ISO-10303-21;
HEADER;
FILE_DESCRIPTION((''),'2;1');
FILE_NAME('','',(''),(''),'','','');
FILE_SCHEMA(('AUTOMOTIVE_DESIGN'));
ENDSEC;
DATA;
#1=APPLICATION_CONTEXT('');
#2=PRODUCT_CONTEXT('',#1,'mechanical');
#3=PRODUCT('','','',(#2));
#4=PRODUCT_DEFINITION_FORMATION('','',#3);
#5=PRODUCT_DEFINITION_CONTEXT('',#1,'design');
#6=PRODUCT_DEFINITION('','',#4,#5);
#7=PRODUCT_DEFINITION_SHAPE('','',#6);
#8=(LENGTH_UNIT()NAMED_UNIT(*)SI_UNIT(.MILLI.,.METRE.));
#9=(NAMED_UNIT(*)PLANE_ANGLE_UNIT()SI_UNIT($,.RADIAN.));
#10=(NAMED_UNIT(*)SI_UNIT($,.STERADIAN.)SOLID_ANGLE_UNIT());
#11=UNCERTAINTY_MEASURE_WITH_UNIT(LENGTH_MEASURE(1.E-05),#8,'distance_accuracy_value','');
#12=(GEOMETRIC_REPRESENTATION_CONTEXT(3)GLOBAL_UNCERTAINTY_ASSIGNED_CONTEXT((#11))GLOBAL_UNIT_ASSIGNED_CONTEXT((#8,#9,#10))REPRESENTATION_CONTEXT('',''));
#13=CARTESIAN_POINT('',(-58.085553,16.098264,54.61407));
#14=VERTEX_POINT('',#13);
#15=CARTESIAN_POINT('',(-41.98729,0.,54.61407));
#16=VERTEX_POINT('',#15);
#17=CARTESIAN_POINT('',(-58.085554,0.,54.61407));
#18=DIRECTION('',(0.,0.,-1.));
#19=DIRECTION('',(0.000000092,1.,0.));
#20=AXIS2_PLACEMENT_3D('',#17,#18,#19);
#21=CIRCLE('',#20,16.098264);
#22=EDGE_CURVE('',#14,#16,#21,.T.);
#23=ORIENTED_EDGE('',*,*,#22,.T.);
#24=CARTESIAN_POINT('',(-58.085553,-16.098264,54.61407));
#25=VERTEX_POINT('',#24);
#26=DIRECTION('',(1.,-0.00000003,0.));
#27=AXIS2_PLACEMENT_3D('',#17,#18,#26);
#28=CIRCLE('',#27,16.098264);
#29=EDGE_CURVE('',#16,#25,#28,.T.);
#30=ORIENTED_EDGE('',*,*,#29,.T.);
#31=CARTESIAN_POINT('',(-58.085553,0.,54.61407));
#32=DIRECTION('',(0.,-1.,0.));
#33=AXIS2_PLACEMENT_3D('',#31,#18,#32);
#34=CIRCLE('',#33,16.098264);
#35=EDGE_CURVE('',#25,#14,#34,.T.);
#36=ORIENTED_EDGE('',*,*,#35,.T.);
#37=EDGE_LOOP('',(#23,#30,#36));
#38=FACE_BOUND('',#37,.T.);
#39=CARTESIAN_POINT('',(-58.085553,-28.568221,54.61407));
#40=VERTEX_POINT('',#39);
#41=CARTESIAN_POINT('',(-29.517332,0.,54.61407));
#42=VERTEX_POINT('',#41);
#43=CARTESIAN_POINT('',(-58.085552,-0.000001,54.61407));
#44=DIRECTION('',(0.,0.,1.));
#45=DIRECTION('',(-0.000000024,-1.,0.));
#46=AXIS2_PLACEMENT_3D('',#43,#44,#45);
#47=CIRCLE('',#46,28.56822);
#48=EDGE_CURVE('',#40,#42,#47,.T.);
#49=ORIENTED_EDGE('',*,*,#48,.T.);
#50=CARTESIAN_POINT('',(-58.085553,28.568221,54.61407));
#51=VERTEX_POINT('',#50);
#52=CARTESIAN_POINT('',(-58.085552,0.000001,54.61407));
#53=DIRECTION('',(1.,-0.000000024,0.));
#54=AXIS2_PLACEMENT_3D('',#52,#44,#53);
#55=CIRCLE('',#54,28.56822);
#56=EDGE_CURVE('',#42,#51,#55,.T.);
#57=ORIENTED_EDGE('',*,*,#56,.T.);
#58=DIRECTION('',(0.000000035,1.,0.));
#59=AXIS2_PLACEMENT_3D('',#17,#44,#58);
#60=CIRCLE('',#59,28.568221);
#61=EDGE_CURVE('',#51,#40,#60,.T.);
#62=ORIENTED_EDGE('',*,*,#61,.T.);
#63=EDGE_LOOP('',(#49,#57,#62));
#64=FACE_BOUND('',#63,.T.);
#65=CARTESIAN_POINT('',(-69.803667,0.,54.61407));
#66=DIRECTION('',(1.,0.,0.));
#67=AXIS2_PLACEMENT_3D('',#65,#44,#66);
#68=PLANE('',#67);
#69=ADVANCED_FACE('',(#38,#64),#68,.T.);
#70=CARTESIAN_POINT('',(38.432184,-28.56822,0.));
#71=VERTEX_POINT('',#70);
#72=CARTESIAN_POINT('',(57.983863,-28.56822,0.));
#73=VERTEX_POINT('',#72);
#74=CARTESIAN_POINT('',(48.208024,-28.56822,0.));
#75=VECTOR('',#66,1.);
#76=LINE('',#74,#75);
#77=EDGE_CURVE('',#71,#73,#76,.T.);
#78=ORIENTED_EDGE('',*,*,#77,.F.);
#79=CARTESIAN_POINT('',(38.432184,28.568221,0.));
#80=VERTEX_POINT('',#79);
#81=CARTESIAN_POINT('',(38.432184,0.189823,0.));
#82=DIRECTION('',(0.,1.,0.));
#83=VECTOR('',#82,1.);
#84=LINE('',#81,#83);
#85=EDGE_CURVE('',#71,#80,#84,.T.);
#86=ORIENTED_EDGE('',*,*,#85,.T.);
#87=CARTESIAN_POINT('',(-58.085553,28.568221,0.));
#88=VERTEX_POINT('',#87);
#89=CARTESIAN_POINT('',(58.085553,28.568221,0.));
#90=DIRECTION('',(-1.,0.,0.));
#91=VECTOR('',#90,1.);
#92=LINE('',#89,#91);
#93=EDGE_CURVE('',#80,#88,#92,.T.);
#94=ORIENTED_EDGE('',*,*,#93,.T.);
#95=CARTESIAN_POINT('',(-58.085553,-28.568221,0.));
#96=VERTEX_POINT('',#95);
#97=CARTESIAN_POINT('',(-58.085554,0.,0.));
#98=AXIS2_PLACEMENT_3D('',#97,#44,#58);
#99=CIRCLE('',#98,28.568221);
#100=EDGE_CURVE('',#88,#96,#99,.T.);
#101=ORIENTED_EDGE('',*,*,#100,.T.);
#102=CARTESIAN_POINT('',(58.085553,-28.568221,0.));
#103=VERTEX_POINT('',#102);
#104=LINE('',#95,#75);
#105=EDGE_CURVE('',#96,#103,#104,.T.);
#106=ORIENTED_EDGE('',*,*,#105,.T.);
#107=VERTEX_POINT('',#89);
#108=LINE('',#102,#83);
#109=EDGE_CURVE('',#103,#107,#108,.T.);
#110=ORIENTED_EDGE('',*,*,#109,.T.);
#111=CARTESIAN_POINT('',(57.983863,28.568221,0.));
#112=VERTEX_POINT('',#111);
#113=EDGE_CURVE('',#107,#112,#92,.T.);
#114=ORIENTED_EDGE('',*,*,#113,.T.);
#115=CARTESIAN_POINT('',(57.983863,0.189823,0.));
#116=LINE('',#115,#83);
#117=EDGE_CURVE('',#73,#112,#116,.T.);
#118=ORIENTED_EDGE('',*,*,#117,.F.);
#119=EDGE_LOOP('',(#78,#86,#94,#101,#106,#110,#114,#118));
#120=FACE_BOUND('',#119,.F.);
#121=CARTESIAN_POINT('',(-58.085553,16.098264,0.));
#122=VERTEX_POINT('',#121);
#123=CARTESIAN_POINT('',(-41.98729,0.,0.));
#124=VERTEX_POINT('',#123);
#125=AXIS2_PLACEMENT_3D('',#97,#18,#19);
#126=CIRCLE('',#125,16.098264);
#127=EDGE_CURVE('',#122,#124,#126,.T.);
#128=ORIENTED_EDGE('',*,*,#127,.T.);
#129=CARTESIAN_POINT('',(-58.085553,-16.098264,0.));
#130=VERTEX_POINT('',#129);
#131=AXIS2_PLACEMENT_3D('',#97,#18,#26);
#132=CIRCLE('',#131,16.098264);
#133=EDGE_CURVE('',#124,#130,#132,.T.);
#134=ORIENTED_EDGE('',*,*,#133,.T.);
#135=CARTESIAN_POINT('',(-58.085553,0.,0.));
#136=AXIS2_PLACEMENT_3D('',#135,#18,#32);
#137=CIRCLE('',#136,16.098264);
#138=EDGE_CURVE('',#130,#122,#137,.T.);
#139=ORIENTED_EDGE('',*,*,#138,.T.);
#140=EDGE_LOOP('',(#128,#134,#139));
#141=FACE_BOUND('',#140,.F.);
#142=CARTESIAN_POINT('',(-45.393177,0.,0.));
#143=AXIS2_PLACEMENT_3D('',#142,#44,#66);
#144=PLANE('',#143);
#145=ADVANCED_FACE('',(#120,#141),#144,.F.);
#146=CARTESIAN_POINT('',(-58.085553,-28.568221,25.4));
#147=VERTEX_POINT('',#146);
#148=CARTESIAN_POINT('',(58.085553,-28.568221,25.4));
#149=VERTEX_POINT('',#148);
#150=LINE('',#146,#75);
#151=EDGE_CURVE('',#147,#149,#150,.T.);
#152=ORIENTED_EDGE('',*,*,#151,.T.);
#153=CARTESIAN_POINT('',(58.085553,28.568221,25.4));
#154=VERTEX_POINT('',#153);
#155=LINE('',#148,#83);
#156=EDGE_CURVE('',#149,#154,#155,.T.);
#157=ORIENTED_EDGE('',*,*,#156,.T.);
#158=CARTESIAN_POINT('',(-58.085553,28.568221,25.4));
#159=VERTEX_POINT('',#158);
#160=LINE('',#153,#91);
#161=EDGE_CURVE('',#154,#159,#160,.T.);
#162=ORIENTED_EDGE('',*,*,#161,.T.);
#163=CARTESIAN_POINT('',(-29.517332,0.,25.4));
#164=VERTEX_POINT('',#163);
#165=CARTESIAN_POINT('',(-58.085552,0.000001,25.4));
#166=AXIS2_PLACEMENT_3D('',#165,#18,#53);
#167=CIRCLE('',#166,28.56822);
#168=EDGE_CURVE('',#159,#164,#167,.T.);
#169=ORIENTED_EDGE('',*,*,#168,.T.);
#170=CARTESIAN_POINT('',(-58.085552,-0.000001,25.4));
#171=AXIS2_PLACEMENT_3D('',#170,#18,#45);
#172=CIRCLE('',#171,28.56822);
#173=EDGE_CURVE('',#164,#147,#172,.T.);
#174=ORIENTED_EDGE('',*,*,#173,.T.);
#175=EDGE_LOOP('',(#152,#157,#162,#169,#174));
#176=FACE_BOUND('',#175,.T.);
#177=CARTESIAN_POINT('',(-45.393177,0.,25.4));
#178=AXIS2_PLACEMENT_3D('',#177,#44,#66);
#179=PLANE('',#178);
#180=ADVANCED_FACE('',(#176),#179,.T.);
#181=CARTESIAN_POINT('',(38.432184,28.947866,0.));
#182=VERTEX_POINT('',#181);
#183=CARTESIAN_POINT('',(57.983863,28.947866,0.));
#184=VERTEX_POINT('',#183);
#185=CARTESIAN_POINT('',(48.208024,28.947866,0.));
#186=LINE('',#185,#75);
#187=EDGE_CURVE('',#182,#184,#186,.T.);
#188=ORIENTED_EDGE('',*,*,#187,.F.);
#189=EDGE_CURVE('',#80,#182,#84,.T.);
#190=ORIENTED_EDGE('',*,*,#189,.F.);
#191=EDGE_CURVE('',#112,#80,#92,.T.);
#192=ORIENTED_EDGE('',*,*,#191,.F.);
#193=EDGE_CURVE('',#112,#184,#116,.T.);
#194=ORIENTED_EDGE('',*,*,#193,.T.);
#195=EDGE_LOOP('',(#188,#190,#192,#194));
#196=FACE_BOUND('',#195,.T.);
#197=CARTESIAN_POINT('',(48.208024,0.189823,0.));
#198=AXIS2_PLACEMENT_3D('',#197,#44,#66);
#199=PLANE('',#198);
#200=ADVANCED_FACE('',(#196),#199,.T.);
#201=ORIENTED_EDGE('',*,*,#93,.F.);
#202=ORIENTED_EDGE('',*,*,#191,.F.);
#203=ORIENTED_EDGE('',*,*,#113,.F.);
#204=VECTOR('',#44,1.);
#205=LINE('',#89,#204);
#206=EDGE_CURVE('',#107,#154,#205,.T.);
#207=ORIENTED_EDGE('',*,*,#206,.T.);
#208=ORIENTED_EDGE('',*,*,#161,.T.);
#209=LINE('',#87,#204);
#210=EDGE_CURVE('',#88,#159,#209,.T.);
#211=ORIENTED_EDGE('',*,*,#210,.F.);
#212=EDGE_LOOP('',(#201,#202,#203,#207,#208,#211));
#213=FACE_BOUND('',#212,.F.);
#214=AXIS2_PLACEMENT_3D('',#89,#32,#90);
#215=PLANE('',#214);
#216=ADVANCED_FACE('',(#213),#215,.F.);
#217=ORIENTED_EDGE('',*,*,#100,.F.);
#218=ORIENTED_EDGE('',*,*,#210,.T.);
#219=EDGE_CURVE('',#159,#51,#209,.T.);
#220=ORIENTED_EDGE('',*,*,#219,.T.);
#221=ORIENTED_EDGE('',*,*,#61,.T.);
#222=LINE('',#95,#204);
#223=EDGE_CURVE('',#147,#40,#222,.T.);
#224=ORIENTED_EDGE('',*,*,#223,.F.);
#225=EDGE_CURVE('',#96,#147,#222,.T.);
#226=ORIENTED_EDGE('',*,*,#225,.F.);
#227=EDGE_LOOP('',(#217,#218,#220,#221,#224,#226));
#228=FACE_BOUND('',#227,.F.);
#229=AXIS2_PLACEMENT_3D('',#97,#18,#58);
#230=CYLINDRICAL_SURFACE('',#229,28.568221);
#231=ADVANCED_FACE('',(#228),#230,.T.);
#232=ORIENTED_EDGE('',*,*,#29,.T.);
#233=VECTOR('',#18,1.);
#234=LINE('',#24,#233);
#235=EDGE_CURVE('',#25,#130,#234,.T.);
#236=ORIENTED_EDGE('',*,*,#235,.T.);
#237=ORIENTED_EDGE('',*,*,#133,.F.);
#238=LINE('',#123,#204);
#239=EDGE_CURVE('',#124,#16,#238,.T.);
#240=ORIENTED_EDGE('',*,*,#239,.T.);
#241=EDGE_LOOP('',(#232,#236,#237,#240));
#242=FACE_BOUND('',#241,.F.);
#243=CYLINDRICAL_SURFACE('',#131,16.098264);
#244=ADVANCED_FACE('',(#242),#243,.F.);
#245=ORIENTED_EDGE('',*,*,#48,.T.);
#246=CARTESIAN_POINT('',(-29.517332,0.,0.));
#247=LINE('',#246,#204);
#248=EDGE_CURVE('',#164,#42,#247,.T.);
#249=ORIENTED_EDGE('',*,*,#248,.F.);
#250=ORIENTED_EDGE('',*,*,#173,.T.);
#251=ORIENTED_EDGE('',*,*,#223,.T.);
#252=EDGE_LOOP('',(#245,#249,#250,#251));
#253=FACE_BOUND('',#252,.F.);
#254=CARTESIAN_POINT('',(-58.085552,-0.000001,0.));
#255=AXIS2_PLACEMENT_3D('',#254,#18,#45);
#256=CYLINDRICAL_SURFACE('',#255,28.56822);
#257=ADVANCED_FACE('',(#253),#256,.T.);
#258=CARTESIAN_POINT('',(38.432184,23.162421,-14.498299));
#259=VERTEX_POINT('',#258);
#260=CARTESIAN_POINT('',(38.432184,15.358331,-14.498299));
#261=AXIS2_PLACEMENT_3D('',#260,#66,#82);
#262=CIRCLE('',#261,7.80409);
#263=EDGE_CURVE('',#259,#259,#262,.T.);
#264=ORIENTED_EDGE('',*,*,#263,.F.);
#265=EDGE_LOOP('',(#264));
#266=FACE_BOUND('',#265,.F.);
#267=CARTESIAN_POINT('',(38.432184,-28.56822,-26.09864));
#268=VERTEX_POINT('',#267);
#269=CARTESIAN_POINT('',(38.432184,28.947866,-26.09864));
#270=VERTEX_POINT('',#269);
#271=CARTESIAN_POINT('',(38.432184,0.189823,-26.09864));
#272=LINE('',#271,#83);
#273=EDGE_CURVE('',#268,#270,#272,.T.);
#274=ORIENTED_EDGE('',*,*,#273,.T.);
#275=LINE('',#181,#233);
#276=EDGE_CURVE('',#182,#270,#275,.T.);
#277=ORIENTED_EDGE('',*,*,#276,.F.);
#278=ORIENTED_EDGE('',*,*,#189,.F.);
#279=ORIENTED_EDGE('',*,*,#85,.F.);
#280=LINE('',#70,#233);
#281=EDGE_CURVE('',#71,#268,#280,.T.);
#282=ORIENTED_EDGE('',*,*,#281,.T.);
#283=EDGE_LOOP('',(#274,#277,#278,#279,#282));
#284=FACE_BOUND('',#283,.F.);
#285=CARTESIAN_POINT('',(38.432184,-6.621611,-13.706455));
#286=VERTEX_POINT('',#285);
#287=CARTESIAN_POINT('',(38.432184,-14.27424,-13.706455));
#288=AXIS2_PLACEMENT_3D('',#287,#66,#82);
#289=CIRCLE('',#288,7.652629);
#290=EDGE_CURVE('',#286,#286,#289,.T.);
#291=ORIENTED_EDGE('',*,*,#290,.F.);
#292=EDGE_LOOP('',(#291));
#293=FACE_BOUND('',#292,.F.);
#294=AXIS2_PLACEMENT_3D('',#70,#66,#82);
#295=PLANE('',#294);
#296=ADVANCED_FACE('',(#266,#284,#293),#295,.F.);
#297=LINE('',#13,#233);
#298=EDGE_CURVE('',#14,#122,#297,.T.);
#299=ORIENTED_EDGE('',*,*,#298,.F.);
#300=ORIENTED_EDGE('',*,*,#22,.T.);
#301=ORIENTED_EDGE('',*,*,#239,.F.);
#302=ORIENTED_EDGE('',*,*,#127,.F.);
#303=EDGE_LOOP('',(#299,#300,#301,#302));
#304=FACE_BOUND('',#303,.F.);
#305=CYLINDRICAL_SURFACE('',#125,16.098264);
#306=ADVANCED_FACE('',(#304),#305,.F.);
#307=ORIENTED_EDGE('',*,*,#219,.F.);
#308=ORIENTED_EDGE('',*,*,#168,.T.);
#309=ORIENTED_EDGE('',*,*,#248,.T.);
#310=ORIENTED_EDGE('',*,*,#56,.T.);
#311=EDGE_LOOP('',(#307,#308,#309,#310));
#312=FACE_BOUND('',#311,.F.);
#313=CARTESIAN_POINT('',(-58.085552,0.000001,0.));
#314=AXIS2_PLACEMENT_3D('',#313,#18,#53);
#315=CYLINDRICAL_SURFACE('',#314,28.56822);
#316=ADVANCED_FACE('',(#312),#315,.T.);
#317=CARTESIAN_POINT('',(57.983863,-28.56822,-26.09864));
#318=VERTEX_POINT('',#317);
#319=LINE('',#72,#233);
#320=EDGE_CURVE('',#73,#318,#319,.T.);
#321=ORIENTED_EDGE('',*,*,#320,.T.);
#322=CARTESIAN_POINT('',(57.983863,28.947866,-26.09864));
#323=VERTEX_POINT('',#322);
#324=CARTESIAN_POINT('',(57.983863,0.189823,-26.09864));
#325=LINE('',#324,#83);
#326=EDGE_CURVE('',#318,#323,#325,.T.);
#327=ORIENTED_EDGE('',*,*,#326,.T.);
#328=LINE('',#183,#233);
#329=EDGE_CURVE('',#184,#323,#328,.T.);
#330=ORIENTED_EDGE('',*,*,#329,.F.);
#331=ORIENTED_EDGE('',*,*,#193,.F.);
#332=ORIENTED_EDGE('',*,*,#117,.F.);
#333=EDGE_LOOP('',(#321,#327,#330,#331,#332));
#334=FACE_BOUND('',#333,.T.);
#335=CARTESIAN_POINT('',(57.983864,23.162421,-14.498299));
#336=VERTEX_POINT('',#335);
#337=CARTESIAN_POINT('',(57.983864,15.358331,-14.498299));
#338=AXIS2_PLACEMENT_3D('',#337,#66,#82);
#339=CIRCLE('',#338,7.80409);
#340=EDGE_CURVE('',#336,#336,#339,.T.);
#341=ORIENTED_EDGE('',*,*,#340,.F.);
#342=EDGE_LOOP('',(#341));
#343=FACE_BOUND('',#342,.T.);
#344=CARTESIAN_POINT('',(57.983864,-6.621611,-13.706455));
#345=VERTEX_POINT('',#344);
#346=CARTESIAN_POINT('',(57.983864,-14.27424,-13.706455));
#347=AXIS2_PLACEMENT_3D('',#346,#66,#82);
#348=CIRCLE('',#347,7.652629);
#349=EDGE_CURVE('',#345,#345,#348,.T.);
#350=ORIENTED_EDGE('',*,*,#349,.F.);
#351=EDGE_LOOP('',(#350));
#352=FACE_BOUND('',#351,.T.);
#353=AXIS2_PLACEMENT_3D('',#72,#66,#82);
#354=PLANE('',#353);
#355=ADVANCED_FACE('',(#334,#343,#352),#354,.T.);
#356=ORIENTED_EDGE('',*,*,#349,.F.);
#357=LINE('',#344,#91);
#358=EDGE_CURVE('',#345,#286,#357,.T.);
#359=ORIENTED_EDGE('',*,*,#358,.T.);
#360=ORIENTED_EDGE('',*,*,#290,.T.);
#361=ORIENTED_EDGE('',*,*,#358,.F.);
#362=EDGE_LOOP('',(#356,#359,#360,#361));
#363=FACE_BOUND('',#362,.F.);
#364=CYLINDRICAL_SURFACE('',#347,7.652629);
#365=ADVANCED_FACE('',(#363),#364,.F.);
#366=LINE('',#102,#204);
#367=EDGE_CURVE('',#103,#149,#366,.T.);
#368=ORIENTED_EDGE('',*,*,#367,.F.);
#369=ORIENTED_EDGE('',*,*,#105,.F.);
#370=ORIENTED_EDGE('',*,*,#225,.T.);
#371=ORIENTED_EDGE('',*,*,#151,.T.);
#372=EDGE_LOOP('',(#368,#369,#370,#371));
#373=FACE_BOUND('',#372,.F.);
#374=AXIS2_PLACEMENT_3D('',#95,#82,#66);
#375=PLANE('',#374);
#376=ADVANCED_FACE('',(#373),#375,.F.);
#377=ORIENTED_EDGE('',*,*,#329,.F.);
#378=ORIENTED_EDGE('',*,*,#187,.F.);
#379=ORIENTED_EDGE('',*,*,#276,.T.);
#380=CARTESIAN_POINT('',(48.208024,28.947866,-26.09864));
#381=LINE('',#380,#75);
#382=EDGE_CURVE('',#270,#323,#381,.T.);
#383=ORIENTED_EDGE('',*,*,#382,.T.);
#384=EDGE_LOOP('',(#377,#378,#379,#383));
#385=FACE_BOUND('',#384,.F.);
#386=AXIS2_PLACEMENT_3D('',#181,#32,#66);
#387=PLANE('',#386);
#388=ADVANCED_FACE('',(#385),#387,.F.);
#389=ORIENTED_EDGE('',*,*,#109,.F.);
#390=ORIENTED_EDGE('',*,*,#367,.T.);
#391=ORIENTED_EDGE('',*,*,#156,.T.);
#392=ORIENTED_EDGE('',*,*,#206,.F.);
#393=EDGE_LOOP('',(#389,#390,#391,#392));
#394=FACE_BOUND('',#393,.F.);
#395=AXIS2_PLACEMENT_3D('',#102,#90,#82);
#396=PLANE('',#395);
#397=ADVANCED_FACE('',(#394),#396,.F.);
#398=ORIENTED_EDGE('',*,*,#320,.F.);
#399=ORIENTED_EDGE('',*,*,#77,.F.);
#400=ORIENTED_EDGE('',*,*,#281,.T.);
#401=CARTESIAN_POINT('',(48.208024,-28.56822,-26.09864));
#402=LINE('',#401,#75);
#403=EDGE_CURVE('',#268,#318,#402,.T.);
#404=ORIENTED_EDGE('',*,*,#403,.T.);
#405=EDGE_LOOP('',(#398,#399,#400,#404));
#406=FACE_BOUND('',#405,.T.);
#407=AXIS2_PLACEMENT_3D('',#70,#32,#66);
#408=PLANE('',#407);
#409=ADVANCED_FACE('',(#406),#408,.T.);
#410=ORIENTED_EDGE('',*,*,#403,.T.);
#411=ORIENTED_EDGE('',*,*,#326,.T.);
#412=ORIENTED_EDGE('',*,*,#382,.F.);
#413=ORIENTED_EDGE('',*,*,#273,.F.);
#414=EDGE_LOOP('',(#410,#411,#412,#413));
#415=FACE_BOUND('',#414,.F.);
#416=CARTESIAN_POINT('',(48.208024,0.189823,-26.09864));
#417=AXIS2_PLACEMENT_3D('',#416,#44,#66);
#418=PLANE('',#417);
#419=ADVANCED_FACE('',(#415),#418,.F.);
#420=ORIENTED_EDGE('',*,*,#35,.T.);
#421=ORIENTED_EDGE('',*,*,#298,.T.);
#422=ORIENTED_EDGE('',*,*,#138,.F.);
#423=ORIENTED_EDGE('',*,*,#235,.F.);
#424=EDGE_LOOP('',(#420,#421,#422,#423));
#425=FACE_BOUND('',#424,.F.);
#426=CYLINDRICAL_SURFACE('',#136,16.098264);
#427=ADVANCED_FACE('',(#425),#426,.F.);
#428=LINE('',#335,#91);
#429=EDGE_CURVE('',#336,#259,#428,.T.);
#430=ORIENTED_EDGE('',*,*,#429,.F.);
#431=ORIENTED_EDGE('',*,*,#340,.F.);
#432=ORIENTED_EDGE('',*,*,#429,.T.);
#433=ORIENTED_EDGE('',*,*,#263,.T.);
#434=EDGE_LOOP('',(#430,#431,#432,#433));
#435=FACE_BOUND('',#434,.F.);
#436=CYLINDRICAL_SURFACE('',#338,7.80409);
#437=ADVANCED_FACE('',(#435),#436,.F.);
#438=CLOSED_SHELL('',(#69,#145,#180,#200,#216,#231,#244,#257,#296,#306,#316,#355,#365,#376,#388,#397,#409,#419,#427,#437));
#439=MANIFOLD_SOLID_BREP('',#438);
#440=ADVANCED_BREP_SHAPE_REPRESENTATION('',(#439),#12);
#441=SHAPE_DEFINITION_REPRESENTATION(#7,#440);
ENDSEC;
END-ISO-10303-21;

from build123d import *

# Parameters (mm, degrees)
F1_DEPTH = 25.4
F2_DEPTH = 54.61407
F3_W     = 19.551679
F3_H     = 57.516087
F4_DEPTH = 26.09864
F5_R     = 7.652629
F5_R_2   = 7.80409
F6_DEPTH = 25.4


with BuildPart() as f1:
    # F0 (on Top) → F1 (new body)
    with BuildSketch(Plane.XY):
        with BuildLine():
            ThreePointArc((-29.517332, 0), (-37.88477, 20.200783), (-58.085553, 28.568221))
            Line((-58.085553, 28.568221), (-58.085553, 16.098264))
            ThreePointArc((-58.085553, 16.098264), (-46.702362, 11.383191), (-41.98729, 0))
            ThreePointArc((-41.98729, 0), (-46.702362, -11.383191), (-58.085553, -16.098264))
            Line((-58.085553, -16.098264), (-58.085553, -28.568221))
            ThreePointArc((-58.085553, -28.568221), (-37.88477, -20.200783), (-29.517332, 0))
        make_face()
        with BuildLine():
            Line((-58.085553, 16.098264), (-58.085553, 28.568221))
            ThreePointArc((-58.085553, 28.568221), (-86.653775, 0), (-58.085553, -28.568221))
            Line((-58.085553, -28.568221), (-58.085553, -16.098264))
            ThreePointArc((-58.085553, -16.098264), (-74.183817, 0), (-58.085553, 16.098264))
        make_face()
        with BuildLine():
            Line((58.085553, 28.568221), (-58.085553, 28.568221))
            ThreePointArc((-58.085553, 28.568221), (-37.88477, 20.200783), (-29.517332, 0))
            ThreePointArc((-29.517332, 0), (-37.88477, -20.200783), (-58.085553, -28.568221))
            Line((-58.085553, -28.568221), (58.085553, -28.568221))
            Line((58.085553, -28.568221), (58.085553, 28.568221))
        make_face()
    extrude(amount=F1_DEPTH)

    # F0 (on Top) → F2 (join)
    with BuildSketch(Plane.XY):
        with BuildLine():
            Line((-58.085553, 16.098264), (-58.085553, 28.568221))
            ThreePointArc((-58.085553, 28.568221), (-86.653775, 0), (-58.085553, -28.568221))
            Line((-58.085553, -28.568221), (-58.085553, -16.098264))
            ThreePointArc((-58.085553, -16.098264), (-74.183817, 0), (-58.085553, 16.098264))
        make_face()
        with BuildLine():
            ThreePointArc((-29.517332, 0), (-37.88477, 20.200783), (-58.085553, 28.568221))
            Line((-58.085553, 28.568221), (-58.085553, 16.098264))
            ThreePointArc((-58.085553, 16.098264), (-46.702362, 11.383191), (-41.98729, 0))
            ThreePointArc((-41.98729, 0), (-46.702362, -11.383191), (-58.085553, -16.098264))
            Line((-58.085553, -16.098264), (-58.085553, -28.568221))
            ThreePointArc((-58.085553, -28.568221), (-37.88477, -20.200783), (-29.517332, 0))
        make_face()
    extrude(amount=F2_DEPTH)

    # F3 (on face) → F4 (join)
    with BuildSketch(Plane.XY):
        with Locations((48.208024, 0.189823)):
            Rectangle(F3_W, F3_H)
    extrude(amount=-F4_DEPTH)

    # F5 (on face) → F6 (cut)
    with BuildSketch(Plane.YZ.offset(57.983864)):
        with Locations((-14.27424, -13.706455)):
            Circle(F5_R)
        with Locations((15.358331, -14.498299)):
            Circle(F5_R_2)
    extrude(amount=-F6_DEPTH, mode=Mode.SUBTRACT)


solid = f1.part
